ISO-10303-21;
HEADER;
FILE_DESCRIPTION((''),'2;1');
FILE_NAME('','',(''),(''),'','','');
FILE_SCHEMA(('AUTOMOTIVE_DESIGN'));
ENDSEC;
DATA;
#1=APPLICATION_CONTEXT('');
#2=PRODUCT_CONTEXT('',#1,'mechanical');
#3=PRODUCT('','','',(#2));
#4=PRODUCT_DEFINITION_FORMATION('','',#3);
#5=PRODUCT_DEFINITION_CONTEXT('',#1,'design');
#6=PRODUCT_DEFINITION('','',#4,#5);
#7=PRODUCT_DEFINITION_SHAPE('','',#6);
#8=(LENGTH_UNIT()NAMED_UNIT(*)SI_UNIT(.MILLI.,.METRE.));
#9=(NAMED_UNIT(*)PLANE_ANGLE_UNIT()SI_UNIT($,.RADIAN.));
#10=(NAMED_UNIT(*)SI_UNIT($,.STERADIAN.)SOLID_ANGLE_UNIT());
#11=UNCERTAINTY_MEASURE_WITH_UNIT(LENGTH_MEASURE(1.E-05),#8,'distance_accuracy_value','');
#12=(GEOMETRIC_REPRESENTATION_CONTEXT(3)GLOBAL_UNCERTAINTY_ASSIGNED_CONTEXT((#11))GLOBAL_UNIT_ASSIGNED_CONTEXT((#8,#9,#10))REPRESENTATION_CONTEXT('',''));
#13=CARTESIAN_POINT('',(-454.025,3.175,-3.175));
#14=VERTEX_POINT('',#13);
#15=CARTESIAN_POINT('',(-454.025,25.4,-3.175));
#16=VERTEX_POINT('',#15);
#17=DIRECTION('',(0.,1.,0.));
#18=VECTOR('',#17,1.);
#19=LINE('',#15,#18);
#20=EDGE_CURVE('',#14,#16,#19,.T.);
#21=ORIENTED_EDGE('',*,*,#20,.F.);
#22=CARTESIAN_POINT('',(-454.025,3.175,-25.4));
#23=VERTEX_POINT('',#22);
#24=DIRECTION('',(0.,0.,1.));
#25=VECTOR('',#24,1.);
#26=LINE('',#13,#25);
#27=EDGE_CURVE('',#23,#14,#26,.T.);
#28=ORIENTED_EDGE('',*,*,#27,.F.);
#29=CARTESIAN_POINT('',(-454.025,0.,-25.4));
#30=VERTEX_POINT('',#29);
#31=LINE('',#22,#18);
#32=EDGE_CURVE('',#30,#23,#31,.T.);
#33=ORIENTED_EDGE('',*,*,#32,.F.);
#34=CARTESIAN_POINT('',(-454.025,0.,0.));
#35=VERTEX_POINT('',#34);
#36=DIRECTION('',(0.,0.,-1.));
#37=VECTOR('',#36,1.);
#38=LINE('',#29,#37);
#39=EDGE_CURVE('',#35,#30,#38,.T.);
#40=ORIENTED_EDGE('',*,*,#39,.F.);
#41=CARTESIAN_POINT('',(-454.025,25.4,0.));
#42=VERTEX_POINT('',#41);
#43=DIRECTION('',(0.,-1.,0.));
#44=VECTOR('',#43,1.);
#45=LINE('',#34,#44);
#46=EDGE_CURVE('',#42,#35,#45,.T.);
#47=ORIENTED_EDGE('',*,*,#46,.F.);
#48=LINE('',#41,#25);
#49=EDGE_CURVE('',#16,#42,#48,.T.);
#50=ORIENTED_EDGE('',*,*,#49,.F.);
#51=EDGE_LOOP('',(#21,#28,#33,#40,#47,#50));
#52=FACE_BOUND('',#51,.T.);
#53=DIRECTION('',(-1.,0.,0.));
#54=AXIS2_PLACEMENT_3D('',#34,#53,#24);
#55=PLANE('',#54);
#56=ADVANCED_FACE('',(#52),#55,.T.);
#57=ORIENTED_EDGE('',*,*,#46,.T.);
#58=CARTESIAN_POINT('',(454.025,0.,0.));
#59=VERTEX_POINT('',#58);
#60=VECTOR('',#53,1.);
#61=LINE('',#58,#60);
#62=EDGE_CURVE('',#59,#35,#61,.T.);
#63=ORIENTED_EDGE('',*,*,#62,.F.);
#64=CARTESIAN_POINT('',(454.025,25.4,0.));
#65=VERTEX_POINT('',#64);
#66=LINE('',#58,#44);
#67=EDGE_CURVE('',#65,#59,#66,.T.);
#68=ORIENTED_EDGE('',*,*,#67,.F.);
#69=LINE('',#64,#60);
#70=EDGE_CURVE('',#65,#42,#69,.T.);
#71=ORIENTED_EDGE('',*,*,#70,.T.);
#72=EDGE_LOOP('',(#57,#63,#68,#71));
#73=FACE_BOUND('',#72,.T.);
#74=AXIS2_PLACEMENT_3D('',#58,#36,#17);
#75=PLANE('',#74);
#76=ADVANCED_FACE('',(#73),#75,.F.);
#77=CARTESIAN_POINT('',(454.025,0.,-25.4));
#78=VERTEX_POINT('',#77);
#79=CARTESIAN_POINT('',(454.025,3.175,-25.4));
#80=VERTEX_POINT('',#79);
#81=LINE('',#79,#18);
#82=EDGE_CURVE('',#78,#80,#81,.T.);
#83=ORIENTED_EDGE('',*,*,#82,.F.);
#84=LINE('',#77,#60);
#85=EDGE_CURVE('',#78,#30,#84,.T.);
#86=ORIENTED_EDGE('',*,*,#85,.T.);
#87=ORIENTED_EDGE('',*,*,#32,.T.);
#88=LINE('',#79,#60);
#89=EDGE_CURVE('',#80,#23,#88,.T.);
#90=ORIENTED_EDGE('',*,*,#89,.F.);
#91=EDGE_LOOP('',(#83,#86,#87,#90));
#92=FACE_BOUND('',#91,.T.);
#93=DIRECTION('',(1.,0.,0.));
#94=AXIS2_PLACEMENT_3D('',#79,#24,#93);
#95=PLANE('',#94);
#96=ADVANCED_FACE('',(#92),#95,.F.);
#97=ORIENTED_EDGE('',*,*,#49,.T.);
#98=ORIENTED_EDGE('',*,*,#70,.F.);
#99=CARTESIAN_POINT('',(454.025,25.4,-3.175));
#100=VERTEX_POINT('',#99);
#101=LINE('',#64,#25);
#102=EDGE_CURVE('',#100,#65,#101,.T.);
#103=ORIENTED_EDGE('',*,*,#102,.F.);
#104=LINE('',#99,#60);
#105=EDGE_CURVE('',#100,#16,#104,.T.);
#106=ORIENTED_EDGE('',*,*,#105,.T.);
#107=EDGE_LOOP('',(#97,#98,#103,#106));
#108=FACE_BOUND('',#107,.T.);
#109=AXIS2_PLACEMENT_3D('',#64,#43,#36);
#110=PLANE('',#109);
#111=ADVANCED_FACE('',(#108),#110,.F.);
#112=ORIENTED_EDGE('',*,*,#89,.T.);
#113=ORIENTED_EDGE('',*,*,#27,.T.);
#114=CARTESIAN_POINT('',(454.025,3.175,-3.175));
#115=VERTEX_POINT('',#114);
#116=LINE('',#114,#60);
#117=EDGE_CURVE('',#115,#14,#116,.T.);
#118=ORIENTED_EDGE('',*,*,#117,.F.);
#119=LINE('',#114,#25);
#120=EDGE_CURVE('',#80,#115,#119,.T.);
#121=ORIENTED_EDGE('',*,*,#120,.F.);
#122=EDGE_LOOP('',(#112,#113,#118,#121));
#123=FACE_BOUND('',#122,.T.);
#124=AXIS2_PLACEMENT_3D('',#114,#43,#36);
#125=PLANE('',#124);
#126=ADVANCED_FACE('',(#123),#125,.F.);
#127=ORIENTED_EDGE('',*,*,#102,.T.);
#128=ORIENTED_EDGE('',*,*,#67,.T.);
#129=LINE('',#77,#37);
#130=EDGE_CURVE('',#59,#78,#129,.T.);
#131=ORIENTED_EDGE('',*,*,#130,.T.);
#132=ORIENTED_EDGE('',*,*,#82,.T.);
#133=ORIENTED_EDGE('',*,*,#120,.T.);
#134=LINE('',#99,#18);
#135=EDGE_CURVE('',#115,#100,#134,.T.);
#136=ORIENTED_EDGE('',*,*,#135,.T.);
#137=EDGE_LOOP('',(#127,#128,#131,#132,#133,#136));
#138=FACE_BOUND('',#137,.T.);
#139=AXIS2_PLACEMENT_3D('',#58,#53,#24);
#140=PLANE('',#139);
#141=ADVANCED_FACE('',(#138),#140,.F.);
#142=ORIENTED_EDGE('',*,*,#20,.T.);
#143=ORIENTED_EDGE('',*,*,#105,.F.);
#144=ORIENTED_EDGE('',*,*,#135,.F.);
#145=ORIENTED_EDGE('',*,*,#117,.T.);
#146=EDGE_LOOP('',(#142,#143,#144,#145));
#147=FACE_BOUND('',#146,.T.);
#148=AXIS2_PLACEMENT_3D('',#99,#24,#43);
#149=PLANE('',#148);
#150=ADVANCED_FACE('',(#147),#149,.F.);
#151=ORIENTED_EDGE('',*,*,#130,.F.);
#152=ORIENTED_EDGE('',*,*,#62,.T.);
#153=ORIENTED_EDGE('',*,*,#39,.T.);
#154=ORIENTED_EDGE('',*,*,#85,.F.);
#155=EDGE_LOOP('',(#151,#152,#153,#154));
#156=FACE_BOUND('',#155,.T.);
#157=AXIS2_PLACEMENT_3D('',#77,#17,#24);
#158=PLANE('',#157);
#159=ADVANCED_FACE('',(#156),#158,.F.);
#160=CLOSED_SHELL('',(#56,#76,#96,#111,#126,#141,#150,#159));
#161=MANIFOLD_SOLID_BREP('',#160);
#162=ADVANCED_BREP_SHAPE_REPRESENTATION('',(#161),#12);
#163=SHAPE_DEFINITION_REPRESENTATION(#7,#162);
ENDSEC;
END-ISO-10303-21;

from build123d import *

# Parameters (mm, degrees)
BOSS_EXTRUDE1_DEPTH = 454.025


with BuildPart() as part:
    # Sketch1 → Boss-Extrude1 (new body, symmetric)
    with BuildSketch(Plane(origin=(0, 0, 0), x_dir=(0, 0, -1), z_dir=(1, 0, 0))):
        Polygon((0, 0), (0, 25.4), (3.175, 25.4), (3.175, 3.175), (25.4, 3.175), (25.4, 0), align=None)
    extrude(amount=BOSS_EXTRUDE1_DEPTH, both=True)


solid = part.part
